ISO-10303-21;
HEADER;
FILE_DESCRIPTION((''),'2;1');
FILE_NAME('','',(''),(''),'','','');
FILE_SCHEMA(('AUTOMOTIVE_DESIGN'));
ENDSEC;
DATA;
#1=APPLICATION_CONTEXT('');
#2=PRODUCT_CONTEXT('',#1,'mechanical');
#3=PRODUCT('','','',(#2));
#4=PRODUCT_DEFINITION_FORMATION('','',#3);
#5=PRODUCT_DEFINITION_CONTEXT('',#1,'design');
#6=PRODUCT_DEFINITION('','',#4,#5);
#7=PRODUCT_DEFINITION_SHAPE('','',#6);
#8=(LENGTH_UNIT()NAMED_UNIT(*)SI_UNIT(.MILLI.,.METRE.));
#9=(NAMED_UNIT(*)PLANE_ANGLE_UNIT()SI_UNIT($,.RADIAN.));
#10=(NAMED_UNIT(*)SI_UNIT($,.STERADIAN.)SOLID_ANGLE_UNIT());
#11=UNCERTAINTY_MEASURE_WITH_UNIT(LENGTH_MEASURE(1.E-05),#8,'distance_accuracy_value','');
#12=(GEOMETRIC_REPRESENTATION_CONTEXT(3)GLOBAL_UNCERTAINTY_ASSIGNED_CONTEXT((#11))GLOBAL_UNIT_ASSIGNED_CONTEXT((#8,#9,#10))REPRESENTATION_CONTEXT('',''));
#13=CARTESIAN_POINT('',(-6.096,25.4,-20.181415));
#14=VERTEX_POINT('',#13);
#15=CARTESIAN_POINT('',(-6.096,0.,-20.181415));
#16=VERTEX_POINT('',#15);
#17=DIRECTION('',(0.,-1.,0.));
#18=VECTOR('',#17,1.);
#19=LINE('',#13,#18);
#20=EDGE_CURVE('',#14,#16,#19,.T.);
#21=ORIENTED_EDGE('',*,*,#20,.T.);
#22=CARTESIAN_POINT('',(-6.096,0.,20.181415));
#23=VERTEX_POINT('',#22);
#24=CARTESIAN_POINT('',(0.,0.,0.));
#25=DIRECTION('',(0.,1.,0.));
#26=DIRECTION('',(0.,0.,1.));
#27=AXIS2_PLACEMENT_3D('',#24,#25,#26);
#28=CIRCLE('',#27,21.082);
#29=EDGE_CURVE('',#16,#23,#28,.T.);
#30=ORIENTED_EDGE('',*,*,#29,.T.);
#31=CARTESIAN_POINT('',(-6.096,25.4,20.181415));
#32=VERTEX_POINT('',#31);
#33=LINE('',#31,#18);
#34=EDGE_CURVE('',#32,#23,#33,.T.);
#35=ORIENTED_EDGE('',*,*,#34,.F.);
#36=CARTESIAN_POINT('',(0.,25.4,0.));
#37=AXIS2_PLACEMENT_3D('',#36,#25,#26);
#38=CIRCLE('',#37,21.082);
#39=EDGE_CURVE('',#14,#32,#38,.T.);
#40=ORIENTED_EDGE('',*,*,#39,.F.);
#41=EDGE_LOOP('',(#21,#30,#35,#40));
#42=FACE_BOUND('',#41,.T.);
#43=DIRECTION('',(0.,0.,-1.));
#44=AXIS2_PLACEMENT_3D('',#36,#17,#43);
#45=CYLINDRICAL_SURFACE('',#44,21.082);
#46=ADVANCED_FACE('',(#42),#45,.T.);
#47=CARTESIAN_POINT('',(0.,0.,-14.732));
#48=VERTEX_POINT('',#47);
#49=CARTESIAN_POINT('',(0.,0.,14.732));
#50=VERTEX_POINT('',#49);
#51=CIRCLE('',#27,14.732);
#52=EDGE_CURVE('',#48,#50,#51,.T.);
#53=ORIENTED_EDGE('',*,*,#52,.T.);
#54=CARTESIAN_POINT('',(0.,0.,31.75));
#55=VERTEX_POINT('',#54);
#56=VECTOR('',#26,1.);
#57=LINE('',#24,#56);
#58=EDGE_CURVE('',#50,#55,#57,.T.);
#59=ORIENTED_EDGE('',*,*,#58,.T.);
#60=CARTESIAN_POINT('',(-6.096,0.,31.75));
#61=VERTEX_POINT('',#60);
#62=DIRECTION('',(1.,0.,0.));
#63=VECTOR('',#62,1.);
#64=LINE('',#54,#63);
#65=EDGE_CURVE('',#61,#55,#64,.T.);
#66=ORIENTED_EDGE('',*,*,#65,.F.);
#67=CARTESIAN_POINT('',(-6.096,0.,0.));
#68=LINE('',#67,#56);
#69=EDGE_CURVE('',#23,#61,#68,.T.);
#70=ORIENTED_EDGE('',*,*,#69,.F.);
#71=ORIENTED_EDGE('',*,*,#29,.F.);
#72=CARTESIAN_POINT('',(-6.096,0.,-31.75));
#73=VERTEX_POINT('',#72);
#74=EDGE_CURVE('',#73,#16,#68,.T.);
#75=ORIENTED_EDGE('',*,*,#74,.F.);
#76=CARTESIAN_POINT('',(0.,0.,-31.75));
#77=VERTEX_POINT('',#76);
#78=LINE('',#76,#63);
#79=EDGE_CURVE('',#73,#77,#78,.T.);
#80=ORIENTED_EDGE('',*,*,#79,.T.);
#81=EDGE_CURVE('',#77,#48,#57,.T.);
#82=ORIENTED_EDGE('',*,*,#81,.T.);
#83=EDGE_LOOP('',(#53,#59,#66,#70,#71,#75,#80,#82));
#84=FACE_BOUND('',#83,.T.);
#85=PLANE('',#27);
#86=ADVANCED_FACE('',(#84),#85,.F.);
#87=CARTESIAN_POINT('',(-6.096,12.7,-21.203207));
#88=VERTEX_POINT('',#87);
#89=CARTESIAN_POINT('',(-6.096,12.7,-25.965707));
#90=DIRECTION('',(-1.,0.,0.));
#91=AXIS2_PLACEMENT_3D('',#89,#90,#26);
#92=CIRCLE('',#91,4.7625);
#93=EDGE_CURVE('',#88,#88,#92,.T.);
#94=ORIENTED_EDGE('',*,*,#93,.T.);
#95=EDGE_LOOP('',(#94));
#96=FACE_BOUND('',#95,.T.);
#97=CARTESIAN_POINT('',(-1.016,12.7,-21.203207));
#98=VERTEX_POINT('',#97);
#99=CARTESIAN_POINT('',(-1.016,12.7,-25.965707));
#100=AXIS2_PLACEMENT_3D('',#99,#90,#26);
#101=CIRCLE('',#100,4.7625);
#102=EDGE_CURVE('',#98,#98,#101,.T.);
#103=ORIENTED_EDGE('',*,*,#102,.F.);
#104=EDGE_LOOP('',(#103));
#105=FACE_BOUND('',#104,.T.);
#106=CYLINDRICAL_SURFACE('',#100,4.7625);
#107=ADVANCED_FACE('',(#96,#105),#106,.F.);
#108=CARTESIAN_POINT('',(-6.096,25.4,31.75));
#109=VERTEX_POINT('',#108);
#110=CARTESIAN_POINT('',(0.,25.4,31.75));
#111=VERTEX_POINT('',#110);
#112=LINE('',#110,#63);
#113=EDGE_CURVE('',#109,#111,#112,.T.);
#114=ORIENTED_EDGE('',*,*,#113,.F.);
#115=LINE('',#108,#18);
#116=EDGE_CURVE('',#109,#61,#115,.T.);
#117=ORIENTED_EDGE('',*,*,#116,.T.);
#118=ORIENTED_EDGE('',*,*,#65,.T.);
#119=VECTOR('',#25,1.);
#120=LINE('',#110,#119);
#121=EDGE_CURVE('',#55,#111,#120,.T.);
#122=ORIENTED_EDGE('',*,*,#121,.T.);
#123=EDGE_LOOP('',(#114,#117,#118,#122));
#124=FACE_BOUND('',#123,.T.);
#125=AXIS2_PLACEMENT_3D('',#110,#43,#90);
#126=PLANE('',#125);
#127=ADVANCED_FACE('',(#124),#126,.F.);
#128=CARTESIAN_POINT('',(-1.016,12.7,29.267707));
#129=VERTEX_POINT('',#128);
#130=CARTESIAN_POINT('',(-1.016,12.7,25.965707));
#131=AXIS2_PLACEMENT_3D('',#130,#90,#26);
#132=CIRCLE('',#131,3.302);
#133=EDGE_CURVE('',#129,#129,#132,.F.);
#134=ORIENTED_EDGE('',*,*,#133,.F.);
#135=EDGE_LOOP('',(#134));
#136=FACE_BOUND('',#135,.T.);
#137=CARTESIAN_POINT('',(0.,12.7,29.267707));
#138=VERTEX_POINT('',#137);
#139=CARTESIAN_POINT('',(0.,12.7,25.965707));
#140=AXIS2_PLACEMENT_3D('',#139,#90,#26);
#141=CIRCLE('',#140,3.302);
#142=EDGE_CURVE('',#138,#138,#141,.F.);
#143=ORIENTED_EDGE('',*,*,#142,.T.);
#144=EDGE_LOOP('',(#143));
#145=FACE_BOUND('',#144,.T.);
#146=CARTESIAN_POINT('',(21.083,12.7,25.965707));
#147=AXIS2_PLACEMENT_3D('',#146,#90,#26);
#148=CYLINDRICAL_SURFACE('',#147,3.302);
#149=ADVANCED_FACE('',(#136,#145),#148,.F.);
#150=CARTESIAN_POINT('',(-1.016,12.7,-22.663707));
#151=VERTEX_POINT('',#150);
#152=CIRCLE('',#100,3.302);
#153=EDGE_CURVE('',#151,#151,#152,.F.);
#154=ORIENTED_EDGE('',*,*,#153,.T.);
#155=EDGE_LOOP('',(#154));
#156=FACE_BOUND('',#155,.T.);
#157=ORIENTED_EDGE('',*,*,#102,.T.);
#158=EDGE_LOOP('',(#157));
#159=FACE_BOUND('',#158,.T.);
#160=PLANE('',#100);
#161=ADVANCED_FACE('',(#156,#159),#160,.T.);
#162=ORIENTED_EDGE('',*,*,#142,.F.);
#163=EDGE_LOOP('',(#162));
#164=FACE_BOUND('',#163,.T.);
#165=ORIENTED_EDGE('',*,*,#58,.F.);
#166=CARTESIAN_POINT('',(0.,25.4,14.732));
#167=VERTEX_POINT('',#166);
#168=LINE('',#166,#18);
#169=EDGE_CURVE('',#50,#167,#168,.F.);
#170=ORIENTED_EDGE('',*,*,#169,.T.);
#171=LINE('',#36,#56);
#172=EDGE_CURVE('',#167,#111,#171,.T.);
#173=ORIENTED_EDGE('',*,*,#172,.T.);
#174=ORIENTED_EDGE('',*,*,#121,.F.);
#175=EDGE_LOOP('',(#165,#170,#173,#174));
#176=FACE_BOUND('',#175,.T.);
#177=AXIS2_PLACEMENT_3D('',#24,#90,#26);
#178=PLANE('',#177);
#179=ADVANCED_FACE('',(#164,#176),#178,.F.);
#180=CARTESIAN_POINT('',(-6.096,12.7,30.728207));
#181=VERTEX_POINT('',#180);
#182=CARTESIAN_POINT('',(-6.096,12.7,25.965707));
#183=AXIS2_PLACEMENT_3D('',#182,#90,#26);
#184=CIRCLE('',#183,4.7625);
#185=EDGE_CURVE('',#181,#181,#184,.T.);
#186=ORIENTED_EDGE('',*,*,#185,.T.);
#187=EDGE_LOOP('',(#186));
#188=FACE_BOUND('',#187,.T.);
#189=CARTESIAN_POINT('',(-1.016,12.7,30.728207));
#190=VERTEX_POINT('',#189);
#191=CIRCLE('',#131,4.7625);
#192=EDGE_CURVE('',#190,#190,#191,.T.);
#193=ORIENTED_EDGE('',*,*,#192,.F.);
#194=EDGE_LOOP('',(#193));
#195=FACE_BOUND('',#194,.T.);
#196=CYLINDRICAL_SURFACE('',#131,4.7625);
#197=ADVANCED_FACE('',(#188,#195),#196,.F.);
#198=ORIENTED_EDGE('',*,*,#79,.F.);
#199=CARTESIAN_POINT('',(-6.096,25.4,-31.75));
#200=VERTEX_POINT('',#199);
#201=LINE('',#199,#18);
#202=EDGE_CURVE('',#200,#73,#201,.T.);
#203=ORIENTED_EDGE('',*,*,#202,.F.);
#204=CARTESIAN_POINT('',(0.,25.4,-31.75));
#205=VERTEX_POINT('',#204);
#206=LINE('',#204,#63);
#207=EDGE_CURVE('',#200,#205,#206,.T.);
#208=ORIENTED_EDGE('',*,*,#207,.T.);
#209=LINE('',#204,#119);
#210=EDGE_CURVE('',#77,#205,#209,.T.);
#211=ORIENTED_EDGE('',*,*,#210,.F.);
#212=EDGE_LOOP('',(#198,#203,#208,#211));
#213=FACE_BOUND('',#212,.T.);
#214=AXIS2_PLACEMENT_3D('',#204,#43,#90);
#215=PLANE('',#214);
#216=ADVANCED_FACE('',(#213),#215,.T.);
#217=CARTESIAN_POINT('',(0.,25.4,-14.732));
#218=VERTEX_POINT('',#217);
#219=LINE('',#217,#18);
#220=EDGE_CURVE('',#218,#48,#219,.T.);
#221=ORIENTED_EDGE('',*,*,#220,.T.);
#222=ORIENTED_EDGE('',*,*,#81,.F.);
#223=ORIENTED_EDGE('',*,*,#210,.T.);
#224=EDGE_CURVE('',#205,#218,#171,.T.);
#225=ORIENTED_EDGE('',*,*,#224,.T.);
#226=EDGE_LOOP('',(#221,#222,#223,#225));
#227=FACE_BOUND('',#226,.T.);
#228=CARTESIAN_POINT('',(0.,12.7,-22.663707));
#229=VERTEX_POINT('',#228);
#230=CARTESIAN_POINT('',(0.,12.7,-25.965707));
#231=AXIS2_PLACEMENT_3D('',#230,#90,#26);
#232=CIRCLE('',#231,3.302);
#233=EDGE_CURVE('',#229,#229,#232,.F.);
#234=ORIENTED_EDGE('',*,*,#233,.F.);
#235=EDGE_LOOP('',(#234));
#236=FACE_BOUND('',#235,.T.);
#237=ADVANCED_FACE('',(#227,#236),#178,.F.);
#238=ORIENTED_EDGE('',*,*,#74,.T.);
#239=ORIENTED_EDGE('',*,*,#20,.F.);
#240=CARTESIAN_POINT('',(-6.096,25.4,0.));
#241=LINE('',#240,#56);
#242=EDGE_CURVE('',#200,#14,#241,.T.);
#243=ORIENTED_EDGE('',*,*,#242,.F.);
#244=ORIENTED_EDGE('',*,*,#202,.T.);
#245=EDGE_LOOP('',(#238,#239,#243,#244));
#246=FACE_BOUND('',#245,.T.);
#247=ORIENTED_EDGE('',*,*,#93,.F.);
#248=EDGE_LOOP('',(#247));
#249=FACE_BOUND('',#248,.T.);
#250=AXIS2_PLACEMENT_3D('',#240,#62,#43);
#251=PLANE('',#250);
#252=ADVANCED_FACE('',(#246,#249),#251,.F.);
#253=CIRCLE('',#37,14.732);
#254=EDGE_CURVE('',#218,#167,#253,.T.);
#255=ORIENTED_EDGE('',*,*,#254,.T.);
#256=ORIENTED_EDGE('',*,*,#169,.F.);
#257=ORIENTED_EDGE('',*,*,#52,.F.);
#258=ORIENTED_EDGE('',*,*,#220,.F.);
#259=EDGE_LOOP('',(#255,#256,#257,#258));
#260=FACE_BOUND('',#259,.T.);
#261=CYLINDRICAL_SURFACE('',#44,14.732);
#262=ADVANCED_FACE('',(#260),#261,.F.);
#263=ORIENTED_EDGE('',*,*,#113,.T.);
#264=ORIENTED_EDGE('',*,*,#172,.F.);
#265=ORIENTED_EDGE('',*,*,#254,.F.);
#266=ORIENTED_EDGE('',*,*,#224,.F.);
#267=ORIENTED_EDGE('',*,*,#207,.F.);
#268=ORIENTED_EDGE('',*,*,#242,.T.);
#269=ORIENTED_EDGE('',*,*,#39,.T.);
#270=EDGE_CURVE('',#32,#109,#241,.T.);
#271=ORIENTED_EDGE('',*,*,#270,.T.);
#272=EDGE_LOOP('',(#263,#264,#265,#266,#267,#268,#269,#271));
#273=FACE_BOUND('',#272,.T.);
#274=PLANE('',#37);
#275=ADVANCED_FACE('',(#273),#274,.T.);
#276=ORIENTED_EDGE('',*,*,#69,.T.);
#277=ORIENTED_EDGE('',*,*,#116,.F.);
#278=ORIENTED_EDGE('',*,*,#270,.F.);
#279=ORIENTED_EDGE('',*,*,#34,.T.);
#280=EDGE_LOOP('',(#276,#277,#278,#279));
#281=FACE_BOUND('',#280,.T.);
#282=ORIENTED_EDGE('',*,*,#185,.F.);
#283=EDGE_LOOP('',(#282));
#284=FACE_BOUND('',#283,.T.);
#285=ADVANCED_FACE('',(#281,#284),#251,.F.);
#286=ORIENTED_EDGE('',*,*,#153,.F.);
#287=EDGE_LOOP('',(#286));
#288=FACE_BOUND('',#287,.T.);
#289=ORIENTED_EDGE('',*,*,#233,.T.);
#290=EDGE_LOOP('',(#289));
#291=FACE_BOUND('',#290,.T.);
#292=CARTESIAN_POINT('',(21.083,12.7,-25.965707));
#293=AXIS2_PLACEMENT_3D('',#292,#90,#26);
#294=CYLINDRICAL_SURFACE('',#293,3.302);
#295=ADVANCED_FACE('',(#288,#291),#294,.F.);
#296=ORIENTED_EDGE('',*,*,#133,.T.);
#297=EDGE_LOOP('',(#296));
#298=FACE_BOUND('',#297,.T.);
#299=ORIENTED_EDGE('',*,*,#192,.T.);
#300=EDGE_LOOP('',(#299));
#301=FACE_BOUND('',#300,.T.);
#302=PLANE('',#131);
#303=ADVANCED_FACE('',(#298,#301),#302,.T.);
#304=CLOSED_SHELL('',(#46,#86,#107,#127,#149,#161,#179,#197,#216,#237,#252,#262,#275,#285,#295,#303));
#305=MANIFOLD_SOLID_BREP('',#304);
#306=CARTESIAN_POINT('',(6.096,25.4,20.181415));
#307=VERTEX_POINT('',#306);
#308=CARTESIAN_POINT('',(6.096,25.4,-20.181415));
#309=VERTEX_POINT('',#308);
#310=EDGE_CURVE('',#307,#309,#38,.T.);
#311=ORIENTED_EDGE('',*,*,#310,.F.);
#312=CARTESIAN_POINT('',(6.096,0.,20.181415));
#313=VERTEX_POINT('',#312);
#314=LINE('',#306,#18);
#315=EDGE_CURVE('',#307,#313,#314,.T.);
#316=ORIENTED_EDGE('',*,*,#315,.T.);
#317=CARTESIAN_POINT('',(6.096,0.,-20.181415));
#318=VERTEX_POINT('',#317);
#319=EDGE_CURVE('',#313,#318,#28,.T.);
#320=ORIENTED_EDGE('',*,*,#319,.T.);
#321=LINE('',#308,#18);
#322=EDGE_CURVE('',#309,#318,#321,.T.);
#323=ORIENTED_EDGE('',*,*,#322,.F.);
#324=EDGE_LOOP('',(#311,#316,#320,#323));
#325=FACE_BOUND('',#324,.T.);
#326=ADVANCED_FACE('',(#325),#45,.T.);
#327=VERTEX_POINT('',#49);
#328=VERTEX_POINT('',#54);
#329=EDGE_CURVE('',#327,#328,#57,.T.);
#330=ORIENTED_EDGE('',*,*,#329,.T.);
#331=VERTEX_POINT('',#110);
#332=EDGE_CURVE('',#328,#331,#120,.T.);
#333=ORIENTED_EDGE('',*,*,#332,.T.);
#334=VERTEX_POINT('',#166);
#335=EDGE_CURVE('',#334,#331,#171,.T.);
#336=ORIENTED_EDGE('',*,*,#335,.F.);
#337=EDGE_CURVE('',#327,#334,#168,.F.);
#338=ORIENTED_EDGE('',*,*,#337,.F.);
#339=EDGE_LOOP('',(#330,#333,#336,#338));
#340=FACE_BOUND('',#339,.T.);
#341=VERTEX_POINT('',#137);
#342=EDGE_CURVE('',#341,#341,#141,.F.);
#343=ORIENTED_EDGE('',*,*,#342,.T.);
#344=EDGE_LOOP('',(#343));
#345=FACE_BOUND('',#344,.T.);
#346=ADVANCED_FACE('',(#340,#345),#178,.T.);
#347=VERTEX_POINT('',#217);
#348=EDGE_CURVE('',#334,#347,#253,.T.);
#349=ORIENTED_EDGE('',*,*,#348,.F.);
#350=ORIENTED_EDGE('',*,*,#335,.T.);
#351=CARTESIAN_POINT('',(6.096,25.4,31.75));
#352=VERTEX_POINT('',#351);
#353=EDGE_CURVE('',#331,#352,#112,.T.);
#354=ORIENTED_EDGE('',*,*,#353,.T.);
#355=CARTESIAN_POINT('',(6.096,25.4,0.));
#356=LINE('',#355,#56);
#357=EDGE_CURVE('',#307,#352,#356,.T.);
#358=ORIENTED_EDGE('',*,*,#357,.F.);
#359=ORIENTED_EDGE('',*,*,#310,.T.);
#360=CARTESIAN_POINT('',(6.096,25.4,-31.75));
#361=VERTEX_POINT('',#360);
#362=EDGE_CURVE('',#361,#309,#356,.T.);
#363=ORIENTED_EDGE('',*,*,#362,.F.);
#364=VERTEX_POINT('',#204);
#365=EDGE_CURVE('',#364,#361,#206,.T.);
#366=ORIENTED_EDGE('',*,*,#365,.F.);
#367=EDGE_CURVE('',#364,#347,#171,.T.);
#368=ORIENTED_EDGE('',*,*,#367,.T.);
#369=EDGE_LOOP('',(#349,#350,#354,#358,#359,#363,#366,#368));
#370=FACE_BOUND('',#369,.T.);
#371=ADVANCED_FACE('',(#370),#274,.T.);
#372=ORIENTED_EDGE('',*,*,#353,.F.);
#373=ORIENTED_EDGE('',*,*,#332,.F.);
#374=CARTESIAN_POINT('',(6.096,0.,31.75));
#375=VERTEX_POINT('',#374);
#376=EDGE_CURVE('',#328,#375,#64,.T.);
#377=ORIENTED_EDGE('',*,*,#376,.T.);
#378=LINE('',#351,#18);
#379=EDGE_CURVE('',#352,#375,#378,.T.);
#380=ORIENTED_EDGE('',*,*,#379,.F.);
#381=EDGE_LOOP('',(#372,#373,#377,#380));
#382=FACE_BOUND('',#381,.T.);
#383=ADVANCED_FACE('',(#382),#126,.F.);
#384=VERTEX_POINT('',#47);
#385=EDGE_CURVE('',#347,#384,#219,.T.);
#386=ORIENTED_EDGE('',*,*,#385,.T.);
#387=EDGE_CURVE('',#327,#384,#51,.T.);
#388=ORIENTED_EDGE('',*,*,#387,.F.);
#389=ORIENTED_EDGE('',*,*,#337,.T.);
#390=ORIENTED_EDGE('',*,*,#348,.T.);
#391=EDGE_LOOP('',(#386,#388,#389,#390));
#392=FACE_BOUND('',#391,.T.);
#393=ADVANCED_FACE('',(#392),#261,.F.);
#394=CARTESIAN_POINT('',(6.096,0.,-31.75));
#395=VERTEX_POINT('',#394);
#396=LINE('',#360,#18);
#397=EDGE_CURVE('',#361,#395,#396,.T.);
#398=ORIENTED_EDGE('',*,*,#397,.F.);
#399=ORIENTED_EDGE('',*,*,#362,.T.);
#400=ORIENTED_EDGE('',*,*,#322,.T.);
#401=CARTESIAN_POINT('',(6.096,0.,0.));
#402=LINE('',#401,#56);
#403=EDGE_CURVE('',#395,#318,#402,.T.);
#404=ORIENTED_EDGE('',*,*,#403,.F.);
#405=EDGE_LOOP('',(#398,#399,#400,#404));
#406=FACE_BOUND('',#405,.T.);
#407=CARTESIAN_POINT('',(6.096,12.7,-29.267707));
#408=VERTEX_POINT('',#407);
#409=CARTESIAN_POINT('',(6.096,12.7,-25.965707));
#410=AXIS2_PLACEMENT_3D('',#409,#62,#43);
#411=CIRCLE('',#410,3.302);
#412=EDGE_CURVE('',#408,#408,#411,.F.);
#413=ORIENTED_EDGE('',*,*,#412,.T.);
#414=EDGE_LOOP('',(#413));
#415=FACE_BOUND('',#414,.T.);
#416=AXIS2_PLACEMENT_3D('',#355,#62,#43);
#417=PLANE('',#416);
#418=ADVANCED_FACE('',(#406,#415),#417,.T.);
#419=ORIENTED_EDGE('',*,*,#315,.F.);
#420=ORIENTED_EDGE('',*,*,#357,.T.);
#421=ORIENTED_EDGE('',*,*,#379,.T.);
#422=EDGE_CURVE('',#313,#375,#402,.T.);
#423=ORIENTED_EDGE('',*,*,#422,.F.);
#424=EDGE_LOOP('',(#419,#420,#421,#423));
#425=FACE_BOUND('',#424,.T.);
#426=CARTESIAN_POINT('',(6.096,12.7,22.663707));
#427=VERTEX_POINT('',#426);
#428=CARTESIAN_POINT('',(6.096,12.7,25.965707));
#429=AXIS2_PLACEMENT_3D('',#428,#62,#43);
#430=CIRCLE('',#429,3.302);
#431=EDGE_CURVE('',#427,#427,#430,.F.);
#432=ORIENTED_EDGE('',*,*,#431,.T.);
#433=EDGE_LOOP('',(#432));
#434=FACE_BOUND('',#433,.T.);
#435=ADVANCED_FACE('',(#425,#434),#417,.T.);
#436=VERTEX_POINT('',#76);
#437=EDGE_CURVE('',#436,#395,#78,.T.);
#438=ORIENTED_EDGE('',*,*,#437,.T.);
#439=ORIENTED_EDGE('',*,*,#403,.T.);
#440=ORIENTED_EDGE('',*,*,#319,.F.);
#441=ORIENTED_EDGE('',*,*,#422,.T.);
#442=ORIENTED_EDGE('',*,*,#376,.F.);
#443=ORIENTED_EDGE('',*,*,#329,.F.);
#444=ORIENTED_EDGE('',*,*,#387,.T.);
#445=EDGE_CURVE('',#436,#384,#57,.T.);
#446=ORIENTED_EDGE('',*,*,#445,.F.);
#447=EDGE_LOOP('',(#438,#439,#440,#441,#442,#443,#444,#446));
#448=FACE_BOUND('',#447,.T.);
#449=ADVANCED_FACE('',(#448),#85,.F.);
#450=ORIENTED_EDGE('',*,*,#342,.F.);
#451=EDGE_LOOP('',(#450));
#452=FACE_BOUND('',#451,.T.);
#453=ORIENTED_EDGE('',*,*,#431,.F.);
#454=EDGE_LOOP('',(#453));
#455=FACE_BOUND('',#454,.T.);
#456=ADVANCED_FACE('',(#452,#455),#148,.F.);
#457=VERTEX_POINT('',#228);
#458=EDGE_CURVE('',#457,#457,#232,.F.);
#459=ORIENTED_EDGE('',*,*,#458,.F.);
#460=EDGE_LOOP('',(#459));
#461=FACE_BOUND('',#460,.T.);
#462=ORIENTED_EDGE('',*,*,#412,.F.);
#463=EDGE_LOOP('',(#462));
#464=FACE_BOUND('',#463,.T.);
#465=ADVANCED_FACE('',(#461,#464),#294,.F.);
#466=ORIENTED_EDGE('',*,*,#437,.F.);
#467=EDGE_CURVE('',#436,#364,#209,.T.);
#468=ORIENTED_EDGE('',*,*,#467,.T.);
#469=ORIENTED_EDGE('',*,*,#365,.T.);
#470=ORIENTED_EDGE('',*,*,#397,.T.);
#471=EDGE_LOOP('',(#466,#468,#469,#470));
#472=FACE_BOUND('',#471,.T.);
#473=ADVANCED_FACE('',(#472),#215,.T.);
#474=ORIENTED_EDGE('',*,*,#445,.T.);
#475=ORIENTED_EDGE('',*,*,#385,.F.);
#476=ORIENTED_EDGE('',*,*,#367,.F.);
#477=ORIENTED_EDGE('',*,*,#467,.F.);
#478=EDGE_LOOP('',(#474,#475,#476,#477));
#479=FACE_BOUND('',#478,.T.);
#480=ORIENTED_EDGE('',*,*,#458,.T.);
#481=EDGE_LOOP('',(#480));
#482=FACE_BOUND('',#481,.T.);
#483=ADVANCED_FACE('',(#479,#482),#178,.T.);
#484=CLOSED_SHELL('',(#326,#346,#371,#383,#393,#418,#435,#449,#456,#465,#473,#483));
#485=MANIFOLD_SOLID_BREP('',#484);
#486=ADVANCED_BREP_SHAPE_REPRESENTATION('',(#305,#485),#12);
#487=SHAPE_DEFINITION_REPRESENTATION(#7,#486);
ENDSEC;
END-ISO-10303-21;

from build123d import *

# Parameters (mm, degrees)
BOSS_EXTRUDE2_DEPTH = 25.4
CUT_EXTRUDE1_REACH  = 29.178
SKETCH2_R           = 3.302
SKETCH3_R           = 4.7625
CUT_EXTRUDE2_DEPTH  = 5.08


with BuildPart() as part:
    # Sketch1 → Boss-Extrude2 (new body)
    with BuildSketch(Plane(origin=(0, 0, 0), x_dir=(1, 0, 0), z_dir=(0, 1, 0))):
        with BuildLine():
            Line((-6.096, 13.411584843), (-6.096, 20.181414916))
            ThreePointArc((-6.096, 20.181414916), (-21.082, 0), (-6.096, -20.181414916))
            Line((-6.096, -20.181414916), (-6.096, -13.411584843))
            ThreePointArc((-6.096, -13.411584843), (-14.732, 0), (-6.096, 13.411584843))
        make_face()
        with BuildLine():
            ThreePointArc((6.096, -20.181414916), (0, -21.082), (-6.096, -20.181414916))
            Line((-6.096, -20.181414916), (-6.096, -31.75))
            Line((-6.096, -31.75), (6.096, -31.75))
            Line((6.096, -31.75), (6.096, -20.181414916))
        make_face()
        with BuildLine():
            ThreePointArc((21.082, 0), (16.925817499, 12.568509299), (6.096, 20.181414916))
            Line((6.096, 20.181414916), (6.096, 13.411584843))
            ThreePointArc((6.096, 13.411584843), (12.386244306, 7.975761782), (14.732, 0))
            ThreePointArc((14.732, 0), (12.386244306, -7.975761782), (6.096, -13.411584843))
            Line((6.096, -13.411584843), (6.096, -20.181414916))
            ThreePointArc((6.096, -20.181414916), (16.925817499, -12.568509299), (21.082, 0))
        make_face()
        with BuildLine():
            ThreePointArc((6.096, 20.181414916), (0, 21.082), (-6.096, 20.181414916))
            Line((-6.096, 20.181414916), (-6.096, 13.411584843))
            ThreePointArc((-6.096, 13.411584843), (0, 14.732), (6.096, 13.411584843))
            Line((6.096, 13.411584843), (6.096, 20.181414916))
        make_face()
        with BuildLine():
            Line((-6.096, -13.411584843), (-6.096, -20.181414916))
            ThreePointArc((-6.096, -20.181414916), (0, -21.082), (6.096, -20.181414916))
            Line((6.096, -20.181414916), (6.096, -13.411584843))
            ThreePointArc((6.096, -13.411584843), (0, -14.732), (-6.096, -13.411584843))
        make_face()
        with BuildLine():
            Line((6.096, 31.75), (-6.096, 31.75))
            Line((-6.096, 31.75), (-6.096, 20.181414916))
            ThreePointArc((-6.096, 20.181414916), (0, 21.082), (6.096, 20.181414916))
            Line((6.096, 20.181414916), (6.096, 31.75))
        make_face()
    extrude(amount=BOSS_EXTRUDE2_DEPTH)

    # Sketch2 → Cut-Extrude1 (cut, up to next)
    with BuildSketch(Plane.ZY.offset(6.096), mode=Mode.PRIVATE) as cut_extrude1_sk1:
        with Locations((-25.965707458, 12.7)):
            Circle(SKETCH2_R)
    cut_extrude1_tool1 = extrude(cut_extrude1_sk1.sketch, amount=-CUT_EXTRUDE1_REACH, mode=Mode.PRIVATE) & part.part
    add(cut_extrude1_tool1.solids().sort_by_distance((-6.096, 12.7, -25.965707))[0], mode=Mode.SUBTRACT)
    # Sketch2 → Cut-Extrude1 (cut, up to next)
    with BuildSketch(Plane.ZY.offset(6.096), mode=Mode.PRIVATE) as cut_extrude1_sk2:
        with Locations((25.965707458, 12.7)):
            Circle(SKETCH2_R)
    cut_extrude1_tool2 = extrude(cut_extrude1_sk2.sketch, amount=-CUT_EXTRUDE1_REACH, mode=Mode.PRIVATE) & part.part
    add(cut_extrude1_tool2.solids().sort_by_distance((-6.096, 12.7, 25.965707))[0], mode=Mode.SUBTRACT)

    # Sketch3 → Cut-Extrude2 (cut)
    with BuildSketch(Plane.ZY.offset(6.096)):
        with Locations((-25.965707458, 12.7)):
            Circle(SKETCH3_R)
        with Locations((25.965707458, 12.7)):
            Circle(SKETCH3_R)
    extrude(amount=-CUT_EXTRUDE2_DEPTH, mode=Mode.SUBTRACT)


with BuildPart() as body_2:
    # Split1: the piece on the far side of the plane
    add(part.part)
    split(bisect_by=Plane(origin=(0, 0, 0), x_dir=(0, 0, -1), z_dir=(-1, 0, 0)), keep=Keep.BOTTOM)


with BuildPart() as part_1:
    add(part.part)

    # Split1
    split(bisect_by=Plane(origin=(0, 0, 0), x_dir=(0, 0, -1), z_dir=(-1, 0, 0)), keep=Keep.TOP)


solid = Compound([body_2.part, part_1.part])
